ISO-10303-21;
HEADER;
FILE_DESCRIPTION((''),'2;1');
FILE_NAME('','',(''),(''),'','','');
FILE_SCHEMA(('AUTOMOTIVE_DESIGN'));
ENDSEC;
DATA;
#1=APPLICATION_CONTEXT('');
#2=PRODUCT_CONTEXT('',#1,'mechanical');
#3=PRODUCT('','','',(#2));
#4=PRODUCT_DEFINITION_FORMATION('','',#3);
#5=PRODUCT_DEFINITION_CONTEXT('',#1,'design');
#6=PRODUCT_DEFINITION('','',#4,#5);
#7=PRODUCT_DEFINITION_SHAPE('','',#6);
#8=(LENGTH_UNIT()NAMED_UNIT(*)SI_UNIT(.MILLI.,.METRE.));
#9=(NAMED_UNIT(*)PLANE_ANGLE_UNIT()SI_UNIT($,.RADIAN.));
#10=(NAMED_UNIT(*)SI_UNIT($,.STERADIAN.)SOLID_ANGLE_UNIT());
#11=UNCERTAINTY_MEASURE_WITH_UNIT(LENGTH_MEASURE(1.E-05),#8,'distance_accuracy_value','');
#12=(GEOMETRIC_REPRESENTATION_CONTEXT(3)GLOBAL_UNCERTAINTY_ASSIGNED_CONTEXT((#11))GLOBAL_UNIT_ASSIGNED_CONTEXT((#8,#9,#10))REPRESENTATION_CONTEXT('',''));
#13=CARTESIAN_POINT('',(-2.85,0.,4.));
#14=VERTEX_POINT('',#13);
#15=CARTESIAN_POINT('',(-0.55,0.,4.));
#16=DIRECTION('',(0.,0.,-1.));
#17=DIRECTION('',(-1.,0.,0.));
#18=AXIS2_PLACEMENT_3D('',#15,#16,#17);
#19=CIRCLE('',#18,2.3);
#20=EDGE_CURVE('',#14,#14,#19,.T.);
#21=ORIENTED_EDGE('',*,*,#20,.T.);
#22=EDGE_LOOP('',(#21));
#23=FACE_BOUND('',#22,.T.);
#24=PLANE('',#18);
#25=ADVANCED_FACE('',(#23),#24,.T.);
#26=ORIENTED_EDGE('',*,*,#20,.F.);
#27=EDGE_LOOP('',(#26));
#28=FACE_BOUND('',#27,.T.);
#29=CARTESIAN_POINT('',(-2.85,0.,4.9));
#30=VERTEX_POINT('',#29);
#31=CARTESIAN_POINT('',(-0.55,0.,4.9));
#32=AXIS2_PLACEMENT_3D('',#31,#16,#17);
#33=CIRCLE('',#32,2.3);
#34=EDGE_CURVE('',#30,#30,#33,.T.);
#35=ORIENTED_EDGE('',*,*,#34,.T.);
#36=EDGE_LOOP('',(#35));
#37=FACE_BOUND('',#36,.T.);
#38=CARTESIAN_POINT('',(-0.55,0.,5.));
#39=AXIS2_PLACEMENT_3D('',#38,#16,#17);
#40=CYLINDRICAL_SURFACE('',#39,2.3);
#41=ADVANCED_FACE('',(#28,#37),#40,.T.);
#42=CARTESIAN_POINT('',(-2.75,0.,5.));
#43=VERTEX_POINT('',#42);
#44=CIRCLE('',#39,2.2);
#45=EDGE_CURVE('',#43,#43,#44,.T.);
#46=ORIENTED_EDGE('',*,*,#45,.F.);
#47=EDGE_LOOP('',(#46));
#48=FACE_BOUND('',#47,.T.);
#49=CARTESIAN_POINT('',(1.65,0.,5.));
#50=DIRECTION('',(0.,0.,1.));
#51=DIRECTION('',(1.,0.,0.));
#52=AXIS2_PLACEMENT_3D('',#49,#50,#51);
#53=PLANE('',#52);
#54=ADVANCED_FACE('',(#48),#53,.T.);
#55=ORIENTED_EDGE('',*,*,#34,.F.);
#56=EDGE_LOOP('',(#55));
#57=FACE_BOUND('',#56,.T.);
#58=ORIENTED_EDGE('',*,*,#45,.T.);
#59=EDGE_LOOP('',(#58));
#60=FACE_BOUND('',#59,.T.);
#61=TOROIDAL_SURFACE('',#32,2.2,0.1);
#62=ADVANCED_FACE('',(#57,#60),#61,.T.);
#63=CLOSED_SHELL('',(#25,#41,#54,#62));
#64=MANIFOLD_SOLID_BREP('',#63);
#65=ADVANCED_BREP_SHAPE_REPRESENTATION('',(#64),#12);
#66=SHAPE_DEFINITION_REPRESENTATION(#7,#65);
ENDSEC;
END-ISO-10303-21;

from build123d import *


with BuildPart() as part:
    # 草图1 → 旋转1 (revolve)
    with BuildSketch(Plane.XZ, mode=Mode.PRIVATE) as revolve_1_sk:
        with BuildLine():
            Line((1.65, 5), (-0.55, 5))
            Line((-0.55, 5), (-0.55, 4))
            Line((-0.55, 4), (1.75, 4))
            Line((1.75, 4), (1.75, 4.9))
            ThreePointArc((1.75, 4.9), (1.720710678, 4.970710678), (1.65, 5))
        make_face()
    revolve(revolve_1_sk.sketch.rotate(Axis((-0.55, 0, 5), (0, 0, -1)), 180), axis=Axis((-0.55, 0, 5), (0, 0, -1)))


solid = part.part
